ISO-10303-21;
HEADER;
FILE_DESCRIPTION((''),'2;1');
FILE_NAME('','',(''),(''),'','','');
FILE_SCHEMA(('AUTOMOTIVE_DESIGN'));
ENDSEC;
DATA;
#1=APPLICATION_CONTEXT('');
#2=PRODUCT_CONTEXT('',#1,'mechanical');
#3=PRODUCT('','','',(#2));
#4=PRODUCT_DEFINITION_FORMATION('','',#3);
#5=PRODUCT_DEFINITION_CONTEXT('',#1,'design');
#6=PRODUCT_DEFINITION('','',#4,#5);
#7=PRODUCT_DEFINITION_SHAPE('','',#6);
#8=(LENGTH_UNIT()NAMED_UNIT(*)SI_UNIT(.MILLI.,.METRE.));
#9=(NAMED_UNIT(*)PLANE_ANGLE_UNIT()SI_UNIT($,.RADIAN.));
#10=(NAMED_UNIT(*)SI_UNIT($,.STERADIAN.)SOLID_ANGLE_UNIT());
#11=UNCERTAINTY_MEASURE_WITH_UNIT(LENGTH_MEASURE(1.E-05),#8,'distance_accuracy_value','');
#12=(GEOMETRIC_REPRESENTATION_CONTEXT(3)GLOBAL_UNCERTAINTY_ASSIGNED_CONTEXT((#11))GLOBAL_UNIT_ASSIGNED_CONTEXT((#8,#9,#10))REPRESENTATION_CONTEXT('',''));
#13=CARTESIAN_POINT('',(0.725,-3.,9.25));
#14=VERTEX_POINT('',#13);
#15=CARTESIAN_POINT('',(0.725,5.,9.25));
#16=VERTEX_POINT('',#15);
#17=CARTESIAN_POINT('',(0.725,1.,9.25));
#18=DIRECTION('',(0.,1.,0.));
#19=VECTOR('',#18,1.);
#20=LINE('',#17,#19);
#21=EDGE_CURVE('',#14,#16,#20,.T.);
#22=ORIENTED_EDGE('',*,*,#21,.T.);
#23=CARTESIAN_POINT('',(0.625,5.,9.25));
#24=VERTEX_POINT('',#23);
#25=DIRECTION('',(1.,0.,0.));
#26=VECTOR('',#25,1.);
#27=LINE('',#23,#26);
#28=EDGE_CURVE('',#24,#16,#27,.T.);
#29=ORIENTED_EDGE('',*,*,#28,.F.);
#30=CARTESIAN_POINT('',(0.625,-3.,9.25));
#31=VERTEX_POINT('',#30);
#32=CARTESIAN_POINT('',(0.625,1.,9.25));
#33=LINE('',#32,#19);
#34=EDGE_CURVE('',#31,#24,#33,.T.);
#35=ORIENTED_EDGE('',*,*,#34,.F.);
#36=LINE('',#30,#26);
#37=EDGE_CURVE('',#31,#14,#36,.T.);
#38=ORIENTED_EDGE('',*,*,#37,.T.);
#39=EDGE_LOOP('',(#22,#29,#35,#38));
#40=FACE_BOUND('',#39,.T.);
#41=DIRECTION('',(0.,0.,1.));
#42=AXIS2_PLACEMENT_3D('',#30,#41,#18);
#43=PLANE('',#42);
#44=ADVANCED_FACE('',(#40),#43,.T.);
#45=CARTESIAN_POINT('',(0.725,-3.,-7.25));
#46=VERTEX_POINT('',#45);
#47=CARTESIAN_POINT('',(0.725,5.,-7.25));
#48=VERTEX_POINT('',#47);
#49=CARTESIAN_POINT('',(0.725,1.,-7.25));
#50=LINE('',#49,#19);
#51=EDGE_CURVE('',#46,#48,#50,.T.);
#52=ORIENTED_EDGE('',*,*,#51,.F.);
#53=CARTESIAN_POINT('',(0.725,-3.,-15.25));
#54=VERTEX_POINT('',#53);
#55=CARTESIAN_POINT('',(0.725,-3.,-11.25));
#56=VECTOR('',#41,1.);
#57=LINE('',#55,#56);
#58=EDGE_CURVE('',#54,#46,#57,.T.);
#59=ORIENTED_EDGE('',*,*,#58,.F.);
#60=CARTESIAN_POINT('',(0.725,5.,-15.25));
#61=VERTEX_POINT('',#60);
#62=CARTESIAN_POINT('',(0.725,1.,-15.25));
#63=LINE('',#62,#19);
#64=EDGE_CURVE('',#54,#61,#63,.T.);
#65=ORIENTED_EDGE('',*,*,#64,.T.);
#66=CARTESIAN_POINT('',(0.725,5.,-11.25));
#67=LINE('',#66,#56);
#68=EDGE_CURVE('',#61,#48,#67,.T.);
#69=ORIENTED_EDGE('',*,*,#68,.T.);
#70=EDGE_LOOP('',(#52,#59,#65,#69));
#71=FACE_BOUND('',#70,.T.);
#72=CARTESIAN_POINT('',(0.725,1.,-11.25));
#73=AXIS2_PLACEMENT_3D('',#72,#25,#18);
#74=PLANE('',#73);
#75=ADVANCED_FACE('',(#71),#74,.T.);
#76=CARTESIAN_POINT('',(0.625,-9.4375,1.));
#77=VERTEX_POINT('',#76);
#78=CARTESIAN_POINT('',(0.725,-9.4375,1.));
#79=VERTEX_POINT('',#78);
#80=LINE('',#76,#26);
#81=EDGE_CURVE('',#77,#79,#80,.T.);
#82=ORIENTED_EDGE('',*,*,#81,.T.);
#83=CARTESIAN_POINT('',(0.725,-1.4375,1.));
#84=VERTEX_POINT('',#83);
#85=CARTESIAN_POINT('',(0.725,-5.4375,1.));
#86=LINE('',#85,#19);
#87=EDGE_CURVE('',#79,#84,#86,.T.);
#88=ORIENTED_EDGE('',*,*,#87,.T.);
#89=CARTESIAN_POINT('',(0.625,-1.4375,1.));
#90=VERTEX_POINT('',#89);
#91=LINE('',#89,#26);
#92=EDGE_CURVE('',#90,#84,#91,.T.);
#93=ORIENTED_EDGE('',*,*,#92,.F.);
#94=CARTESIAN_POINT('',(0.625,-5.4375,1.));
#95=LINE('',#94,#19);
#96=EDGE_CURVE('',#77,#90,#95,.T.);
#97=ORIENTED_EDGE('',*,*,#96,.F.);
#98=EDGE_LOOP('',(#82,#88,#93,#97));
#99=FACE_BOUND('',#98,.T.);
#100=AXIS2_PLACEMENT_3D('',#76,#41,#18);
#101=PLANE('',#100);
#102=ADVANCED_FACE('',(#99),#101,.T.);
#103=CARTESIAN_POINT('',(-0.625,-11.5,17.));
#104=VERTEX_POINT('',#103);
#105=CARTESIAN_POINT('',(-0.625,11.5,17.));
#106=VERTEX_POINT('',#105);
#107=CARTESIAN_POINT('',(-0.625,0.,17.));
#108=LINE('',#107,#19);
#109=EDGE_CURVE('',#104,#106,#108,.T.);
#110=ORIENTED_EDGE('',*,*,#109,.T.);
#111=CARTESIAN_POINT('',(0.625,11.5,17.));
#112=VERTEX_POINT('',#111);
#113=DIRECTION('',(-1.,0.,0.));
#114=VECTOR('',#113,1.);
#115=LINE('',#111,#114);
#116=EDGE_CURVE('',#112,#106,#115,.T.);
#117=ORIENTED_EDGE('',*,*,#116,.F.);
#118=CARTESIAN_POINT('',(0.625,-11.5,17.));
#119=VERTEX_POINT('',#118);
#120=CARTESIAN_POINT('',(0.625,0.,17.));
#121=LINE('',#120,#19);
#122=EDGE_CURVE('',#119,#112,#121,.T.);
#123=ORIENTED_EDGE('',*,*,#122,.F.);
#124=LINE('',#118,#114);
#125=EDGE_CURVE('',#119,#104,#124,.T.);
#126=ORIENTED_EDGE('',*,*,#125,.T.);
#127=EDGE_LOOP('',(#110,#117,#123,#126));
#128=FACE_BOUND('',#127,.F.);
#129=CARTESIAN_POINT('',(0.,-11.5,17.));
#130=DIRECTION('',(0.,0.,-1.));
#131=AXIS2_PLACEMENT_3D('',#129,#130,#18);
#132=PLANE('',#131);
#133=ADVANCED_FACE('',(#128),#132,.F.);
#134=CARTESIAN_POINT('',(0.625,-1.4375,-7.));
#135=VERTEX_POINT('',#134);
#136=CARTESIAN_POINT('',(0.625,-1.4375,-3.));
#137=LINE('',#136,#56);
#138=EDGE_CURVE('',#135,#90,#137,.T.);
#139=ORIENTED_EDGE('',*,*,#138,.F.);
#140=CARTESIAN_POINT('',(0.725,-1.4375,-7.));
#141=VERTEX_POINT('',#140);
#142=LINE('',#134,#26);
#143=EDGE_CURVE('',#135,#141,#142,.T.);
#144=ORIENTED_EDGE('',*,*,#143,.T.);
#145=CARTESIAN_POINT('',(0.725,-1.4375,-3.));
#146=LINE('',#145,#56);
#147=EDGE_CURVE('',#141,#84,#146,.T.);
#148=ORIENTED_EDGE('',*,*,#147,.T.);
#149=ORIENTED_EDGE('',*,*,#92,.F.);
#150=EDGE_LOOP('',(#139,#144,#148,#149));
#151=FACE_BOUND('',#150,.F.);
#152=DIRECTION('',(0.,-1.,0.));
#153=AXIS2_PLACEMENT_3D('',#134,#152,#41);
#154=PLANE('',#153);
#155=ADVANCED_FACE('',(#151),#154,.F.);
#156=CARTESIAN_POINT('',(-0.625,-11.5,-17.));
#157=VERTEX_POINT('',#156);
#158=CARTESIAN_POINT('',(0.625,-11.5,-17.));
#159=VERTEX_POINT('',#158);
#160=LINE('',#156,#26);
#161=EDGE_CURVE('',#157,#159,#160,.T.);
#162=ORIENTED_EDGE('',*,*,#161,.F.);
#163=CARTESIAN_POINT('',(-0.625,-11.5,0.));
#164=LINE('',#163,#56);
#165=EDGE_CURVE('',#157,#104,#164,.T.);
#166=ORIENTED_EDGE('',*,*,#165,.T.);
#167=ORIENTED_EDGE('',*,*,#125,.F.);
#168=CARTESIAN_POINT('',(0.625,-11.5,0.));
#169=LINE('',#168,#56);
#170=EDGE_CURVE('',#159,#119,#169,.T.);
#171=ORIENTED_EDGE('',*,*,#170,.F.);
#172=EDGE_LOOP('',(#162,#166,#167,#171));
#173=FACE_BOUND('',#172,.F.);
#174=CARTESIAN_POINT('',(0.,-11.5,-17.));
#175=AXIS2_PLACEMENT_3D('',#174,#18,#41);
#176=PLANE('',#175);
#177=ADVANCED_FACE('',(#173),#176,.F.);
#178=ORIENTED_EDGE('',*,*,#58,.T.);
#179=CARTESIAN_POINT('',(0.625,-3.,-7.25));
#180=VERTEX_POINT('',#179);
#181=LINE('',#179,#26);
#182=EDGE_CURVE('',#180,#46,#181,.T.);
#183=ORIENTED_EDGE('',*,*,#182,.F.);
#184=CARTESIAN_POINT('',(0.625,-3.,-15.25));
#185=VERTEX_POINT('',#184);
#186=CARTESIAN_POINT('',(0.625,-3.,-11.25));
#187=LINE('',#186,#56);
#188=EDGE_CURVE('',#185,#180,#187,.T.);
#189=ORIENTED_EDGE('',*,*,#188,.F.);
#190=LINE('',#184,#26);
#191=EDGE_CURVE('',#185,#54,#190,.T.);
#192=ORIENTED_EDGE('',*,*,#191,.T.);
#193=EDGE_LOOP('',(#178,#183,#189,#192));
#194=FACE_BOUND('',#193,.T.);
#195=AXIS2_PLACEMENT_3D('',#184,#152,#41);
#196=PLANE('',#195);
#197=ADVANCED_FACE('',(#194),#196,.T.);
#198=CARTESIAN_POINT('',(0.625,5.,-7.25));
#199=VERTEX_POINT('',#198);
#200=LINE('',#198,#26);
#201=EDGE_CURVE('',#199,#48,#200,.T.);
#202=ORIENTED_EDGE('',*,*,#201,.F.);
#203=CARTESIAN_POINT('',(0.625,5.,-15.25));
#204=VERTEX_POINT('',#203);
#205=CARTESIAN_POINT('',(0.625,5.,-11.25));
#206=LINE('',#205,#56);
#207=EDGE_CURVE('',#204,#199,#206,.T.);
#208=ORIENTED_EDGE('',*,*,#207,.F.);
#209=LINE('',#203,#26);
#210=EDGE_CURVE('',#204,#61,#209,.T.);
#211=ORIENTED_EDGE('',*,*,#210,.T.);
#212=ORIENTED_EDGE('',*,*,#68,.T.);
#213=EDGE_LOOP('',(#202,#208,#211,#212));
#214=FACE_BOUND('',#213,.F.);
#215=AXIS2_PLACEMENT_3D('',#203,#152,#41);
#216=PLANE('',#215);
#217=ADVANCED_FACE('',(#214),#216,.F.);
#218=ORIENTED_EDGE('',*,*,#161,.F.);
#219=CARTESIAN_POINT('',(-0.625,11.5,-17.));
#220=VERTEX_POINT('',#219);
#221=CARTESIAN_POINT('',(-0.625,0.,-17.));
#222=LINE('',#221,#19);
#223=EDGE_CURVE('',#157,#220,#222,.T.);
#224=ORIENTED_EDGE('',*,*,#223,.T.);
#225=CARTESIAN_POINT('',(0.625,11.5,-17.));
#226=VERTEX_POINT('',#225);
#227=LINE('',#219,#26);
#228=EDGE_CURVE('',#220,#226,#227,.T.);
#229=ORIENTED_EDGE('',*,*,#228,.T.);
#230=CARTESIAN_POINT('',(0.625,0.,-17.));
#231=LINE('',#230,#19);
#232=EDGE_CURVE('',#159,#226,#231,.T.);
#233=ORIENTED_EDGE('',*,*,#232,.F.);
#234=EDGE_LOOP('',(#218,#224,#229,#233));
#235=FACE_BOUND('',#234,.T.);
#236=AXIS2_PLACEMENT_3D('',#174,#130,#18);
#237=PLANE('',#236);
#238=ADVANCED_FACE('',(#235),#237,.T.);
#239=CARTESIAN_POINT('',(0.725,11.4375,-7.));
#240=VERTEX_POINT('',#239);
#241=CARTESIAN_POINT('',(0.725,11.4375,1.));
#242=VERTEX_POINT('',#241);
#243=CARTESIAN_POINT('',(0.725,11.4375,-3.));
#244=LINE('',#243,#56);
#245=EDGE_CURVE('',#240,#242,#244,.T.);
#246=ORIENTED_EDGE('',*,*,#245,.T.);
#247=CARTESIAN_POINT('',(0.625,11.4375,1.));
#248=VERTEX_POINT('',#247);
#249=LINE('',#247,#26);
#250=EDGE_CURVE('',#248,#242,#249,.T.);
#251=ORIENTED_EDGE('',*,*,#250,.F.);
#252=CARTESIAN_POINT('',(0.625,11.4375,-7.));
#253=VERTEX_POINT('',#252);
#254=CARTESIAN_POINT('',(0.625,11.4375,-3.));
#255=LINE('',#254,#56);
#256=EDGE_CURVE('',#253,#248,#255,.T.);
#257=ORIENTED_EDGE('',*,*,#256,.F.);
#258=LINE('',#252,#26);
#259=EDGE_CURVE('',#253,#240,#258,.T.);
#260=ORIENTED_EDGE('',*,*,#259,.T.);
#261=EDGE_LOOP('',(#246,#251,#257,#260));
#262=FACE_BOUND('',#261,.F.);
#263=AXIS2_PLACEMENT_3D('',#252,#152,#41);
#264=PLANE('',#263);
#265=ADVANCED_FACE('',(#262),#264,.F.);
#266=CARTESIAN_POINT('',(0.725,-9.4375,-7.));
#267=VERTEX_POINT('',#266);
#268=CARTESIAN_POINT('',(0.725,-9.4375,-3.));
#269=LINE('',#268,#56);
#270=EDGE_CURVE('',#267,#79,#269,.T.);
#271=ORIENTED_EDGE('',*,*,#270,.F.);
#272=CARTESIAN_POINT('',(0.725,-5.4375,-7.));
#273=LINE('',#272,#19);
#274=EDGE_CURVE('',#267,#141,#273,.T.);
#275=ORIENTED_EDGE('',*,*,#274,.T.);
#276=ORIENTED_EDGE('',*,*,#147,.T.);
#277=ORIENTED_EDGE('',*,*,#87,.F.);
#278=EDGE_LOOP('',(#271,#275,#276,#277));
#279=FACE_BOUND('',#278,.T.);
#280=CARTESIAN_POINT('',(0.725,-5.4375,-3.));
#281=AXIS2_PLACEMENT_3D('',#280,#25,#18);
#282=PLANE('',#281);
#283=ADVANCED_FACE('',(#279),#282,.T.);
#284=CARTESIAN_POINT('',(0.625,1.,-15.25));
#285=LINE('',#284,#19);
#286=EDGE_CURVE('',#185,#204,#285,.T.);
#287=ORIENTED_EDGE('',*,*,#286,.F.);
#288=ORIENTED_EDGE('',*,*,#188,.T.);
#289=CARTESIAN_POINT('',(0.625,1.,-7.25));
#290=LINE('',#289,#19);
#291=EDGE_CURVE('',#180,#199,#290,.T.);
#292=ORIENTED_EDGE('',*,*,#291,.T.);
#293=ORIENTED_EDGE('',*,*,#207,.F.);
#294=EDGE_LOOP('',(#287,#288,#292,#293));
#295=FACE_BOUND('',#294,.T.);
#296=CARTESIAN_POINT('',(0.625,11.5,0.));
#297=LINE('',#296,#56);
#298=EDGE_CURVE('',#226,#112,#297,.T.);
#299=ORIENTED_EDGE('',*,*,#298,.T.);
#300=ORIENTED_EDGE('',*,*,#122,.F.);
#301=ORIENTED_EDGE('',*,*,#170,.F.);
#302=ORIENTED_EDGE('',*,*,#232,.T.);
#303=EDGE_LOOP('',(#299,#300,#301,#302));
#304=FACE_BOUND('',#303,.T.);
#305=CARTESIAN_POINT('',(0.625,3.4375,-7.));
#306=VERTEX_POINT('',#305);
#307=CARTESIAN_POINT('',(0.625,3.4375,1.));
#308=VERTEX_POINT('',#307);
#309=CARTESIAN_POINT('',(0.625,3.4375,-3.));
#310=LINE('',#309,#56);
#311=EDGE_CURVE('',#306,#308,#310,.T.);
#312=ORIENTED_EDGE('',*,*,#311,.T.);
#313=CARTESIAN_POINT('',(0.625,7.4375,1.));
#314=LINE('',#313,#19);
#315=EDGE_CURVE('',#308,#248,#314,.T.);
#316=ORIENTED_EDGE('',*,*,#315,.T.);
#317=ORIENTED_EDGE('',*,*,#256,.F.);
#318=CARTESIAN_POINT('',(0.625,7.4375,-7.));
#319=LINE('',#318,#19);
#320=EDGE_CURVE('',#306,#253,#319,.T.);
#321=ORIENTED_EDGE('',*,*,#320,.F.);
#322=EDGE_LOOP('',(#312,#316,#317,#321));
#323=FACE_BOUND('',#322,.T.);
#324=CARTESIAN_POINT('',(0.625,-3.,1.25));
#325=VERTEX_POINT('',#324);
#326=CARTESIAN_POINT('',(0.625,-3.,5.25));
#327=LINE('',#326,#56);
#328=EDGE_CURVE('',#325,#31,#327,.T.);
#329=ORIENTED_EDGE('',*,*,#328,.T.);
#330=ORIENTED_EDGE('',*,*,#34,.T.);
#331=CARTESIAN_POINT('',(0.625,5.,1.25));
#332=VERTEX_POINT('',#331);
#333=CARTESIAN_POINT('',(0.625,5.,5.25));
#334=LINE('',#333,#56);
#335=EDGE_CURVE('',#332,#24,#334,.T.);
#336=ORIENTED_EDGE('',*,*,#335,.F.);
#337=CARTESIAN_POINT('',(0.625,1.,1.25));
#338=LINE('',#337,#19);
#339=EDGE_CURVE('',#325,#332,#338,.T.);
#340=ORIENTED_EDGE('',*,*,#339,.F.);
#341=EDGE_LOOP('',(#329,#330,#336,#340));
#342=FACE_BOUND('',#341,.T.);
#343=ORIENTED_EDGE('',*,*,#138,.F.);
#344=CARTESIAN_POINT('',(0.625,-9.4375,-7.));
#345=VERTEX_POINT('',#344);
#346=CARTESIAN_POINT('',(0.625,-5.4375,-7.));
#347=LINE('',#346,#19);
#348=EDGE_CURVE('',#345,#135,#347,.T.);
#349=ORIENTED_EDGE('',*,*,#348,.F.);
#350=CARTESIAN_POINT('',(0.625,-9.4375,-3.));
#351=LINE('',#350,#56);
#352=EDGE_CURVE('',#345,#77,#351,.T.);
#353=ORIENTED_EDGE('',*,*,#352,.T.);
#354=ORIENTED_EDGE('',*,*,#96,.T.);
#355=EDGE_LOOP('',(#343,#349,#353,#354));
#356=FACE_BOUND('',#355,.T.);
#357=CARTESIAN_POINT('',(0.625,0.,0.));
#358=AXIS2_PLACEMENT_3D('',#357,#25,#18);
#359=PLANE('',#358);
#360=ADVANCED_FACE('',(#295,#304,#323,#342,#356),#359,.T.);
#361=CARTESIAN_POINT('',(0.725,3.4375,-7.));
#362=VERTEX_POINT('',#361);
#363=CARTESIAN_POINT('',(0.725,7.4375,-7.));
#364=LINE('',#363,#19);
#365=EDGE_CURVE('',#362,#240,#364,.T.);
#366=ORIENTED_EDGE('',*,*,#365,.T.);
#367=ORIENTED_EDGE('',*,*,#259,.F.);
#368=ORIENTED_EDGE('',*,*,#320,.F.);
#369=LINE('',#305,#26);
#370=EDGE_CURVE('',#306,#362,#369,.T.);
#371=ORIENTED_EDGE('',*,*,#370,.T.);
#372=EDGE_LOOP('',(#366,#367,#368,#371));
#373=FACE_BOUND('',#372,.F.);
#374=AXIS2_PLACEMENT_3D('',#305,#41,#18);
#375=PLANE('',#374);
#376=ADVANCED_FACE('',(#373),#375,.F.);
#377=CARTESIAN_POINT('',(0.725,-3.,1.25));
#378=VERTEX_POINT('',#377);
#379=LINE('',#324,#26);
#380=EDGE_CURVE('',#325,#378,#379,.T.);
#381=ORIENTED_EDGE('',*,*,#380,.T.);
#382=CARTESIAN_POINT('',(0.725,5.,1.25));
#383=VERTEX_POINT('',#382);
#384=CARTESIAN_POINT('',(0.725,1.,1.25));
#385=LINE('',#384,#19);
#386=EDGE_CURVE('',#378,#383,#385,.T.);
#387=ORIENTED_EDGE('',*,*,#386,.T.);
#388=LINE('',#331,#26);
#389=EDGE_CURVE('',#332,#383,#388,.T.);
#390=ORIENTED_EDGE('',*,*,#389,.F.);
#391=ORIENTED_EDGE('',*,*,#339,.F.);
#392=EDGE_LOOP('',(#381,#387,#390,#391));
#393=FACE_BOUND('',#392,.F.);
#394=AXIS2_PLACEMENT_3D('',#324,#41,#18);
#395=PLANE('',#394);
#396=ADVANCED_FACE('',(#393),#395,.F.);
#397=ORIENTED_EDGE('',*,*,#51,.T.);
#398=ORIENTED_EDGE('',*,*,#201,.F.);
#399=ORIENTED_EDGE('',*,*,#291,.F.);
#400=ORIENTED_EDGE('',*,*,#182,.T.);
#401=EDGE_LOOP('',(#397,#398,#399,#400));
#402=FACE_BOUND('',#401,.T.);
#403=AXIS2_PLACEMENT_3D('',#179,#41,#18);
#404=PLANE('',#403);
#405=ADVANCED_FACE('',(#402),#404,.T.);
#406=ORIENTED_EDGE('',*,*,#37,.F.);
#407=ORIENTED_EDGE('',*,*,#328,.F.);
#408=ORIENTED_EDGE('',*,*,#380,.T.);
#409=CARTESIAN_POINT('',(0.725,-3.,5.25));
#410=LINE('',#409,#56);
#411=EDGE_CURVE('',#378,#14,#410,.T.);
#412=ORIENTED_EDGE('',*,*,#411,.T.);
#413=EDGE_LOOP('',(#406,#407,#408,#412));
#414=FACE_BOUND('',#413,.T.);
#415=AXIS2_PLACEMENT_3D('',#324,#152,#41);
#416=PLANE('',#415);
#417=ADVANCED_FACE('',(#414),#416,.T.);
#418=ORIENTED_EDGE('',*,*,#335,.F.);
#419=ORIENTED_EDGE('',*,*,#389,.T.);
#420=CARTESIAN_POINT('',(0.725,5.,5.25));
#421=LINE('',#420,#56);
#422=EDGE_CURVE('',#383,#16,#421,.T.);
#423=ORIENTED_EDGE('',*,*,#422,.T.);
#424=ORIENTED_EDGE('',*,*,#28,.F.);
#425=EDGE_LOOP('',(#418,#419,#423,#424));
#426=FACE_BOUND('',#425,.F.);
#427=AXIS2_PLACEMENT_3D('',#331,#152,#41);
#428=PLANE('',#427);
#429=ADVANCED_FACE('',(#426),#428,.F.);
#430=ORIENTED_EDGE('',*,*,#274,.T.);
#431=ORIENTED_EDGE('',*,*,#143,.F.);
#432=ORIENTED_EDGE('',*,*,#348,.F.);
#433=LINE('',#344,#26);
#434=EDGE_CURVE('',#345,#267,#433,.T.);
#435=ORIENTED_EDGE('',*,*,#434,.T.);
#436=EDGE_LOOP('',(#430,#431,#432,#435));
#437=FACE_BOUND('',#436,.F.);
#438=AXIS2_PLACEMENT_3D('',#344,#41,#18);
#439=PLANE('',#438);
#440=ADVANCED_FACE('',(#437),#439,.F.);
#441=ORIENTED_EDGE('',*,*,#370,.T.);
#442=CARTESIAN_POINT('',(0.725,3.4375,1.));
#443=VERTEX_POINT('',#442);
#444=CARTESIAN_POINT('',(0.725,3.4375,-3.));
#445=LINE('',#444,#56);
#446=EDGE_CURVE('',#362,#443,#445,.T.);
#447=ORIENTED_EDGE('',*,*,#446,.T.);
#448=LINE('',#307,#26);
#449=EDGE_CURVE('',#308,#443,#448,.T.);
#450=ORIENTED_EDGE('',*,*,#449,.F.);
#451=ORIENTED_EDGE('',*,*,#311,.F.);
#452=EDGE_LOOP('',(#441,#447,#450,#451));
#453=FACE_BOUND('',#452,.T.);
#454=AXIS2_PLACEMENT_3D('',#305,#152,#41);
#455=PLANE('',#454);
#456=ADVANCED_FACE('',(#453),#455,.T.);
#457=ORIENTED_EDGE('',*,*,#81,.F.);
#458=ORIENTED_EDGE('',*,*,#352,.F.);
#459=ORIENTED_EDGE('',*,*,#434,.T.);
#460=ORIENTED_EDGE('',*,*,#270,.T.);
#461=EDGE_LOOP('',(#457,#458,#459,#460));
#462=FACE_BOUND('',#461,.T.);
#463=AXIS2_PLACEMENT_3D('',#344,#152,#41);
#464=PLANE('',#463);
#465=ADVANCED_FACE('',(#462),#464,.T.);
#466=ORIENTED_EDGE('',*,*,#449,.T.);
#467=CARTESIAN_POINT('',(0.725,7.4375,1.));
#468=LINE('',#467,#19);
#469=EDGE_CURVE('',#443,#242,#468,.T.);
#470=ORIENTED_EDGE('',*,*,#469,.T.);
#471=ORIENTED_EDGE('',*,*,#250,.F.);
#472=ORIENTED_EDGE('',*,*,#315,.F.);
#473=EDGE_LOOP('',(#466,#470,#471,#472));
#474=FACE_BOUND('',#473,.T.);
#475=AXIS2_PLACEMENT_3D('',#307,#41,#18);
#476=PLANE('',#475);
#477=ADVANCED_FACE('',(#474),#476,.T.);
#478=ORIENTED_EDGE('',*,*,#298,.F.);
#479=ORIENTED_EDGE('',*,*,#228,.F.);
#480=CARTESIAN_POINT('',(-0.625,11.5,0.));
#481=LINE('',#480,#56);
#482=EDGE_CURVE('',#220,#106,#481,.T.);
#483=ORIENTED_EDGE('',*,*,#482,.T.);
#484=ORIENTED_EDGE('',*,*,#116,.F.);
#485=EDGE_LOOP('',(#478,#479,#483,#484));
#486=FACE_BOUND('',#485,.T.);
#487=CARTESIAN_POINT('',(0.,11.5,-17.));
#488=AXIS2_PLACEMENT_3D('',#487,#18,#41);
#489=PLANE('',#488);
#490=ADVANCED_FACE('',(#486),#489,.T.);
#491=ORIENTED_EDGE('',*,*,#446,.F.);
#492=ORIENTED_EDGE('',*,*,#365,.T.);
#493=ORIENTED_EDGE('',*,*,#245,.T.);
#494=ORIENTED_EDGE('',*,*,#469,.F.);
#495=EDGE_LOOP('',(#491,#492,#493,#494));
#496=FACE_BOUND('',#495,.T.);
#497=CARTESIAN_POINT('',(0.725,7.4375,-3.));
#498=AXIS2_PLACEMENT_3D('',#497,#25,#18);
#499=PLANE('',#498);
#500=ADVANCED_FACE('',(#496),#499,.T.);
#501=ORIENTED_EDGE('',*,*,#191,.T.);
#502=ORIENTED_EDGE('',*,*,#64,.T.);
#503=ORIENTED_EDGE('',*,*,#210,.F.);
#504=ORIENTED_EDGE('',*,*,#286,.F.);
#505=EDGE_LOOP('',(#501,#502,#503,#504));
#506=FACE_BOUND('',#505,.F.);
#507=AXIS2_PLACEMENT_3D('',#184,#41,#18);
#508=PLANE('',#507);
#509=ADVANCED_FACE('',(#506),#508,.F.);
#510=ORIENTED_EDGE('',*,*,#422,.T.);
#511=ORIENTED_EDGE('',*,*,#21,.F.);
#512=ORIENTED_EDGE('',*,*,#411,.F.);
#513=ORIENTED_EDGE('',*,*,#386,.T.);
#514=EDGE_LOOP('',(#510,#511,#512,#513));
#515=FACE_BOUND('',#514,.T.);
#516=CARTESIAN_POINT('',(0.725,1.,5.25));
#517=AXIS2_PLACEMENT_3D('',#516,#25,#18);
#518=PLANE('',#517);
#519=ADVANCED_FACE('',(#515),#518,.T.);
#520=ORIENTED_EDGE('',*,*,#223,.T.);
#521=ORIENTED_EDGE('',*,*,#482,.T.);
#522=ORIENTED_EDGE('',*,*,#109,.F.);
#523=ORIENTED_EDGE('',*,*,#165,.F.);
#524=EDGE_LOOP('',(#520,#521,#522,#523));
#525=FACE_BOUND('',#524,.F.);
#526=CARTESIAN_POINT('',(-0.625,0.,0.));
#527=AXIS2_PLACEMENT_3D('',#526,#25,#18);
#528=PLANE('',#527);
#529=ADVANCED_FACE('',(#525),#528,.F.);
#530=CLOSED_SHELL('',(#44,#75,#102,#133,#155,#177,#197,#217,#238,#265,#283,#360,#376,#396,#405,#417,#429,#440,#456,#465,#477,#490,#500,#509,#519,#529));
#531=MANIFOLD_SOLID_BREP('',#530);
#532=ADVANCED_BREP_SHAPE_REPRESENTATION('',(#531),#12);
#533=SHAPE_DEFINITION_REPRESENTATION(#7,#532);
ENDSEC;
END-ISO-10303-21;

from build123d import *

# Parameters (mm, degrees)
F0_W     = 23
F0_H     = 34
F1_DEPTH = 0.625
F2_W     = 8
F2_H     = 8
F3_DEPTH = 0.1


with BuildPart() as f1:
    # F0 (on Right) → F1 (new body, symmetric)
    with BuildSketch(Plane.YZ):
        Rectangle(F0_W, F0_H)
    extrude(amount=F1_DEPTH, both=True)

    # F2 (on face) → F3 (join)
    with BuildSketch(Plane.YZ.offset(0.625)):
        with Locations((-5.4375, -3)):
            Rectangle(F2_W, F2_H)
        with Locations((7.4375, -3)):
            Rectangle(F2_W, F2_H)
        with Locations((1, 5.25)):
            Rectangle(F2_W, F2_H)
        with Locations((1, -11.25)):
            Rectangle(F2_W, F2_H)
    extrude(amount=F3_DEPTH)


solid = f1.part
